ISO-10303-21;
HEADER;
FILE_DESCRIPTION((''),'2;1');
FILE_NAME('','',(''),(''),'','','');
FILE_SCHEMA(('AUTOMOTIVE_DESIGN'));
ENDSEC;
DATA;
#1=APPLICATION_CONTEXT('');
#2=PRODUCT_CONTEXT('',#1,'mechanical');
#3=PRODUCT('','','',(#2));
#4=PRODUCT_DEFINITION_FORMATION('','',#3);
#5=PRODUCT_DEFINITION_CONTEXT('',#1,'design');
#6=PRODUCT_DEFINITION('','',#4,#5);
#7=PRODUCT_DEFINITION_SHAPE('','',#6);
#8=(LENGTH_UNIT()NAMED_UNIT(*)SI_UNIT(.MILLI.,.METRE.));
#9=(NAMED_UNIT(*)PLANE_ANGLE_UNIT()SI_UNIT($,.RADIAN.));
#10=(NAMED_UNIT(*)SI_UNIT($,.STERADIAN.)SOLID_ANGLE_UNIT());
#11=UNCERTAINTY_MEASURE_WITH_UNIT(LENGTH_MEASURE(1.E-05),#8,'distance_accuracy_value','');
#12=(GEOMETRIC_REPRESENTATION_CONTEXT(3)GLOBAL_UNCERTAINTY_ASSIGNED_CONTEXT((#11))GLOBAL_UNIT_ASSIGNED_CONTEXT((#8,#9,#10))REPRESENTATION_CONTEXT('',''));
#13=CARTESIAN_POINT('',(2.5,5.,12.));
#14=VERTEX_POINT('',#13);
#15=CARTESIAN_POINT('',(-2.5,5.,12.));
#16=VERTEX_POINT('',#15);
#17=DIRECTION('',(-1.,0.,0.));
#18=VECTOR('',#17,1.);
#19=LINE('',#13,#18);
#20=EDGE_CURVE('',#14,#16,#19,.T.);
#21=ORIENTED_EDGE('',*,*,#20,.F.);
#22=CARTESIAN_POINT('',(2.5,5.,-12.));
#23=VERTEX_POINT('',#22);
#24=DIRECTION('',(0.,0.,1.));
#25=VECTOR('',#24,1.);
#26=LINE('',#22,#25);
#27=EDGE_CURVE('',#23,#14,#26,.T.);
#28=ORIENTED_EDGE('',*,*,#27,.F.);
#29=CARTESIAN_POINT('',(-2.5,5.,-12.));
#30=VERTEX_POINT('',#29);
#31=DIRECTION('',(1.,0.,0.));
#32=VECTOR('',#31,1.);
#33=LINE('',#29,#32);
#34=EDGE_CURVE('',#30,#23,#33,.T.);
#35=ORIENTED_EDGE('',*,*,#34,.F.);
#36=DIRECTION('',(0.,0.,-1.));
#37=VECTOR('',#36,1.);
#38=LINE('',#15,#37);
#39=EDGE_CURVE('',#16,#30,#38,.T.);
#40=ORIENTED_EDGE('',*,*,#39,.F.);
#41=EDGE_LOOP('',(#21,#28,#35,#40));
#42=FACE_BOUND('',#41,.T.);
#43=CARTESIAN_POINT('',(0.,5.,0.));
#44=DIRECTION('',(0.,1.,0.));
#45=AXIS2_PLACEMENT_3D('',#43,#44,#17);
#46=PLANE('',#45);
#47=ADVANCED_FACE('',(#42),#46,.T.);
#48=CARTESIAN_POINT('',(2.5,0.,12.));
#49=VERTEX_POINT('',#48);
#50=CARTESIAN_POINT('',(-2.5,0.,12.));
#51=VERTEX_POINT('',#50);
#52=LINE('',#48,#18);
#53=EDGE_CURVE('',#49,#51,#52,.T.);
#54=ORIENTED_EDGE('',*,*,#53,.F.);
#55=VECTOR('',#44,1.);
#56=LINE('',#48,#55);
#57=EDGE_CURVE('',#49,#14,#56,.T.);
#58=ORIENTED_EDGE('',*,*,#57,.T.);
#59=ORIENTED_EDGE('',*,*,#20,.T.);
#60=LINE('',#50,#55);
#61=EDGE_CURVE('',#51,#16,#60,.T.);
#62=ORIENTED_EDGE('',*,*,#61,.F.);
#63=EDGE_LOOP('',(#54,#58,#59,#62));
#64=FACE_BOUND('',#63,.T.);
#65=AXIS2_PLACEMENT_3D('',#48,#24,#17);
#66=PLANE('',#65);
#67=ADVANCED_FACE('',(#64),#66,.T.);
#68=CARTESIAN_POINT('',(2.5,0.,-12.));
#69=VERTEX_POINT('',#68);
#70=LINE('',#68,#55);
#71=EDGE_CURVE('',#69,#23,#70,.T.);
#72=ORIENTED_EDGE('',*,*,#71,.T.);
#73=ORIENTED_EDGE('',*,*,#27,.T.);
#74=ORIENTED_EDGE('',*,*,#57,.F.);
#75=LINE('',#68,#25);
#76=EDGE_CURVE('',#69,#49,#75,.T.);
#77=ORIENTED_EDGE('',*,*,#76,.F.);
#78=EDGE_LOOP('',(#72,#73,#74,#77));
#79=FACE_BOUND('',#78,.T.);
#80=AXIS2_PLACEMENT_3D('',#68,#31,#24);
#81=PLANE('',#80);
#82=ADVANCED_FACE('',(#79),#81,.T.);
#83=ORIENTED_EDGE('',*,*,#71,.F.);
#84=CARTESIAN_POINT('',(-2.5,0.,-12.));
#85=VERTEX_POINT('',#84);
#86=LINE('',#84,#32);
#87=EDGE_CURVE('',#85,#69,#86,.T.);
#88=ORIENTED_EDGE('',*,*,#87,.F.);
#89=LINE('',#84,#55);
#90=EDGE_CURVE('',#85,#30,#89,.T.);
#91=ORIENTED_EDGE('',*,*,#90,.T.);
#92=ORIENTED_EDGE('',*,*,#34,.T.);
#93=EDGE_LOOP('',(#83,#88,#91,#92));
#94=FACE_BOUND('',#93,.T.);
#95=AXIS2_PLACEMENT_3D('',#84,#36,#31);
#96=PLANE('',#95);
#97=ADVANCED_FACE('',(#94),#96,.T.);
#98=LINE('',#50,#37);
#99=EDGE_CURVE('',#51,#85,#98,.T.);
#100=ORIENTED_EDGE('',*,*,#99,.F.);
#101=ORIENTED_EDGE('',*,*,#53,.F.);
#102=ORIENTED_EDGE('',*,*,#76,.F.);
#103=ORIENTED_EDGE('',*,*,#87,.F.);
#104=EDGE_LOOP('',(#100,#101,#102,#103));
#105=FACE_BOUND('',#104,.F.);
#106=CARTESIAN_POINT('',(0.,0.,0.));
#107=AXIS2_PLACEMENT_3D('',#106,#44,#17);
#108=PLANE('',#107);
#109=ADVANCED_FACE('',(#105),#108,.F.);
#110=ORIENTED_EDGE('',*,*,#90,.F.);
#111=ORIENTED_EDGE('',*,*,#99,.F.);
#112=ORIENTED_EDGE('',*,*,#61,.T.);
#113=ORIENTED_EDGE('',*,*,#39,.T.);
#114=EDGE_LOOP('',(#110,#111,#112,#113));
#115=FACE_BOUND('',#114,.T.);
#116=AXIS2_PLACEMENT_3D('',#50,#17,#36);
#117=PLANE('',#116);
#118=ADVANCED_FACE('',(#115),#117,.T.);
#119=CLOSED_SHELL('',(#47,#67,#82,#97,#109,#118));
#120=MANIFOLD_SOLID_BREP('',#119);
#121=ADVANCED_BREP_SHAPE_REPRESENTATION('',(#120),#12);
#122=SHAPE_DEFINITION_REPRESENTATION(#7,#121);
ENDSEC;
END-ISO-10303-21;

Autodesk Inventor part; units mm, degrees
ref_plane "YZ Plane" through (0, 0, 0) normal (1, 0, 0) x (0, 1, 0)
ref_plane "XZ Plane" through (0, 0, 0) normal (0, 1, 0) x (-1, 0, 0)
ref_plane "XY Plane" through (0, 0, 0) normal (0, 0, 1) x (1, 0, 0)
sketch "Sketch1" plane through (0, 0, 0) normal (0, 1, 0) x (-1, 0, 0)
  line L0 (-2.5, 12) -> (2.5, 12)
  line L1 (2.5, 12) -> (2.5, -12)
  line L2 (2.5, -12) -> (-2.5, -12)
  line L3 (-2.5, -12) -> (-2.5, 12)
  line L4 (-2.5, 12) -> (2.5, -12) construction
  line L5 (2.5, 12) -> (-2.5, -12) construction
  point P0 (0, 0)
  dimension "d0" = 5
  dimension "d1" = 24
extrude "Extrusion1" add sketch "Sketch1" along normal blind 5
properties part number "rapoukLegSupportv1" material "EN AW-6060 T6"
